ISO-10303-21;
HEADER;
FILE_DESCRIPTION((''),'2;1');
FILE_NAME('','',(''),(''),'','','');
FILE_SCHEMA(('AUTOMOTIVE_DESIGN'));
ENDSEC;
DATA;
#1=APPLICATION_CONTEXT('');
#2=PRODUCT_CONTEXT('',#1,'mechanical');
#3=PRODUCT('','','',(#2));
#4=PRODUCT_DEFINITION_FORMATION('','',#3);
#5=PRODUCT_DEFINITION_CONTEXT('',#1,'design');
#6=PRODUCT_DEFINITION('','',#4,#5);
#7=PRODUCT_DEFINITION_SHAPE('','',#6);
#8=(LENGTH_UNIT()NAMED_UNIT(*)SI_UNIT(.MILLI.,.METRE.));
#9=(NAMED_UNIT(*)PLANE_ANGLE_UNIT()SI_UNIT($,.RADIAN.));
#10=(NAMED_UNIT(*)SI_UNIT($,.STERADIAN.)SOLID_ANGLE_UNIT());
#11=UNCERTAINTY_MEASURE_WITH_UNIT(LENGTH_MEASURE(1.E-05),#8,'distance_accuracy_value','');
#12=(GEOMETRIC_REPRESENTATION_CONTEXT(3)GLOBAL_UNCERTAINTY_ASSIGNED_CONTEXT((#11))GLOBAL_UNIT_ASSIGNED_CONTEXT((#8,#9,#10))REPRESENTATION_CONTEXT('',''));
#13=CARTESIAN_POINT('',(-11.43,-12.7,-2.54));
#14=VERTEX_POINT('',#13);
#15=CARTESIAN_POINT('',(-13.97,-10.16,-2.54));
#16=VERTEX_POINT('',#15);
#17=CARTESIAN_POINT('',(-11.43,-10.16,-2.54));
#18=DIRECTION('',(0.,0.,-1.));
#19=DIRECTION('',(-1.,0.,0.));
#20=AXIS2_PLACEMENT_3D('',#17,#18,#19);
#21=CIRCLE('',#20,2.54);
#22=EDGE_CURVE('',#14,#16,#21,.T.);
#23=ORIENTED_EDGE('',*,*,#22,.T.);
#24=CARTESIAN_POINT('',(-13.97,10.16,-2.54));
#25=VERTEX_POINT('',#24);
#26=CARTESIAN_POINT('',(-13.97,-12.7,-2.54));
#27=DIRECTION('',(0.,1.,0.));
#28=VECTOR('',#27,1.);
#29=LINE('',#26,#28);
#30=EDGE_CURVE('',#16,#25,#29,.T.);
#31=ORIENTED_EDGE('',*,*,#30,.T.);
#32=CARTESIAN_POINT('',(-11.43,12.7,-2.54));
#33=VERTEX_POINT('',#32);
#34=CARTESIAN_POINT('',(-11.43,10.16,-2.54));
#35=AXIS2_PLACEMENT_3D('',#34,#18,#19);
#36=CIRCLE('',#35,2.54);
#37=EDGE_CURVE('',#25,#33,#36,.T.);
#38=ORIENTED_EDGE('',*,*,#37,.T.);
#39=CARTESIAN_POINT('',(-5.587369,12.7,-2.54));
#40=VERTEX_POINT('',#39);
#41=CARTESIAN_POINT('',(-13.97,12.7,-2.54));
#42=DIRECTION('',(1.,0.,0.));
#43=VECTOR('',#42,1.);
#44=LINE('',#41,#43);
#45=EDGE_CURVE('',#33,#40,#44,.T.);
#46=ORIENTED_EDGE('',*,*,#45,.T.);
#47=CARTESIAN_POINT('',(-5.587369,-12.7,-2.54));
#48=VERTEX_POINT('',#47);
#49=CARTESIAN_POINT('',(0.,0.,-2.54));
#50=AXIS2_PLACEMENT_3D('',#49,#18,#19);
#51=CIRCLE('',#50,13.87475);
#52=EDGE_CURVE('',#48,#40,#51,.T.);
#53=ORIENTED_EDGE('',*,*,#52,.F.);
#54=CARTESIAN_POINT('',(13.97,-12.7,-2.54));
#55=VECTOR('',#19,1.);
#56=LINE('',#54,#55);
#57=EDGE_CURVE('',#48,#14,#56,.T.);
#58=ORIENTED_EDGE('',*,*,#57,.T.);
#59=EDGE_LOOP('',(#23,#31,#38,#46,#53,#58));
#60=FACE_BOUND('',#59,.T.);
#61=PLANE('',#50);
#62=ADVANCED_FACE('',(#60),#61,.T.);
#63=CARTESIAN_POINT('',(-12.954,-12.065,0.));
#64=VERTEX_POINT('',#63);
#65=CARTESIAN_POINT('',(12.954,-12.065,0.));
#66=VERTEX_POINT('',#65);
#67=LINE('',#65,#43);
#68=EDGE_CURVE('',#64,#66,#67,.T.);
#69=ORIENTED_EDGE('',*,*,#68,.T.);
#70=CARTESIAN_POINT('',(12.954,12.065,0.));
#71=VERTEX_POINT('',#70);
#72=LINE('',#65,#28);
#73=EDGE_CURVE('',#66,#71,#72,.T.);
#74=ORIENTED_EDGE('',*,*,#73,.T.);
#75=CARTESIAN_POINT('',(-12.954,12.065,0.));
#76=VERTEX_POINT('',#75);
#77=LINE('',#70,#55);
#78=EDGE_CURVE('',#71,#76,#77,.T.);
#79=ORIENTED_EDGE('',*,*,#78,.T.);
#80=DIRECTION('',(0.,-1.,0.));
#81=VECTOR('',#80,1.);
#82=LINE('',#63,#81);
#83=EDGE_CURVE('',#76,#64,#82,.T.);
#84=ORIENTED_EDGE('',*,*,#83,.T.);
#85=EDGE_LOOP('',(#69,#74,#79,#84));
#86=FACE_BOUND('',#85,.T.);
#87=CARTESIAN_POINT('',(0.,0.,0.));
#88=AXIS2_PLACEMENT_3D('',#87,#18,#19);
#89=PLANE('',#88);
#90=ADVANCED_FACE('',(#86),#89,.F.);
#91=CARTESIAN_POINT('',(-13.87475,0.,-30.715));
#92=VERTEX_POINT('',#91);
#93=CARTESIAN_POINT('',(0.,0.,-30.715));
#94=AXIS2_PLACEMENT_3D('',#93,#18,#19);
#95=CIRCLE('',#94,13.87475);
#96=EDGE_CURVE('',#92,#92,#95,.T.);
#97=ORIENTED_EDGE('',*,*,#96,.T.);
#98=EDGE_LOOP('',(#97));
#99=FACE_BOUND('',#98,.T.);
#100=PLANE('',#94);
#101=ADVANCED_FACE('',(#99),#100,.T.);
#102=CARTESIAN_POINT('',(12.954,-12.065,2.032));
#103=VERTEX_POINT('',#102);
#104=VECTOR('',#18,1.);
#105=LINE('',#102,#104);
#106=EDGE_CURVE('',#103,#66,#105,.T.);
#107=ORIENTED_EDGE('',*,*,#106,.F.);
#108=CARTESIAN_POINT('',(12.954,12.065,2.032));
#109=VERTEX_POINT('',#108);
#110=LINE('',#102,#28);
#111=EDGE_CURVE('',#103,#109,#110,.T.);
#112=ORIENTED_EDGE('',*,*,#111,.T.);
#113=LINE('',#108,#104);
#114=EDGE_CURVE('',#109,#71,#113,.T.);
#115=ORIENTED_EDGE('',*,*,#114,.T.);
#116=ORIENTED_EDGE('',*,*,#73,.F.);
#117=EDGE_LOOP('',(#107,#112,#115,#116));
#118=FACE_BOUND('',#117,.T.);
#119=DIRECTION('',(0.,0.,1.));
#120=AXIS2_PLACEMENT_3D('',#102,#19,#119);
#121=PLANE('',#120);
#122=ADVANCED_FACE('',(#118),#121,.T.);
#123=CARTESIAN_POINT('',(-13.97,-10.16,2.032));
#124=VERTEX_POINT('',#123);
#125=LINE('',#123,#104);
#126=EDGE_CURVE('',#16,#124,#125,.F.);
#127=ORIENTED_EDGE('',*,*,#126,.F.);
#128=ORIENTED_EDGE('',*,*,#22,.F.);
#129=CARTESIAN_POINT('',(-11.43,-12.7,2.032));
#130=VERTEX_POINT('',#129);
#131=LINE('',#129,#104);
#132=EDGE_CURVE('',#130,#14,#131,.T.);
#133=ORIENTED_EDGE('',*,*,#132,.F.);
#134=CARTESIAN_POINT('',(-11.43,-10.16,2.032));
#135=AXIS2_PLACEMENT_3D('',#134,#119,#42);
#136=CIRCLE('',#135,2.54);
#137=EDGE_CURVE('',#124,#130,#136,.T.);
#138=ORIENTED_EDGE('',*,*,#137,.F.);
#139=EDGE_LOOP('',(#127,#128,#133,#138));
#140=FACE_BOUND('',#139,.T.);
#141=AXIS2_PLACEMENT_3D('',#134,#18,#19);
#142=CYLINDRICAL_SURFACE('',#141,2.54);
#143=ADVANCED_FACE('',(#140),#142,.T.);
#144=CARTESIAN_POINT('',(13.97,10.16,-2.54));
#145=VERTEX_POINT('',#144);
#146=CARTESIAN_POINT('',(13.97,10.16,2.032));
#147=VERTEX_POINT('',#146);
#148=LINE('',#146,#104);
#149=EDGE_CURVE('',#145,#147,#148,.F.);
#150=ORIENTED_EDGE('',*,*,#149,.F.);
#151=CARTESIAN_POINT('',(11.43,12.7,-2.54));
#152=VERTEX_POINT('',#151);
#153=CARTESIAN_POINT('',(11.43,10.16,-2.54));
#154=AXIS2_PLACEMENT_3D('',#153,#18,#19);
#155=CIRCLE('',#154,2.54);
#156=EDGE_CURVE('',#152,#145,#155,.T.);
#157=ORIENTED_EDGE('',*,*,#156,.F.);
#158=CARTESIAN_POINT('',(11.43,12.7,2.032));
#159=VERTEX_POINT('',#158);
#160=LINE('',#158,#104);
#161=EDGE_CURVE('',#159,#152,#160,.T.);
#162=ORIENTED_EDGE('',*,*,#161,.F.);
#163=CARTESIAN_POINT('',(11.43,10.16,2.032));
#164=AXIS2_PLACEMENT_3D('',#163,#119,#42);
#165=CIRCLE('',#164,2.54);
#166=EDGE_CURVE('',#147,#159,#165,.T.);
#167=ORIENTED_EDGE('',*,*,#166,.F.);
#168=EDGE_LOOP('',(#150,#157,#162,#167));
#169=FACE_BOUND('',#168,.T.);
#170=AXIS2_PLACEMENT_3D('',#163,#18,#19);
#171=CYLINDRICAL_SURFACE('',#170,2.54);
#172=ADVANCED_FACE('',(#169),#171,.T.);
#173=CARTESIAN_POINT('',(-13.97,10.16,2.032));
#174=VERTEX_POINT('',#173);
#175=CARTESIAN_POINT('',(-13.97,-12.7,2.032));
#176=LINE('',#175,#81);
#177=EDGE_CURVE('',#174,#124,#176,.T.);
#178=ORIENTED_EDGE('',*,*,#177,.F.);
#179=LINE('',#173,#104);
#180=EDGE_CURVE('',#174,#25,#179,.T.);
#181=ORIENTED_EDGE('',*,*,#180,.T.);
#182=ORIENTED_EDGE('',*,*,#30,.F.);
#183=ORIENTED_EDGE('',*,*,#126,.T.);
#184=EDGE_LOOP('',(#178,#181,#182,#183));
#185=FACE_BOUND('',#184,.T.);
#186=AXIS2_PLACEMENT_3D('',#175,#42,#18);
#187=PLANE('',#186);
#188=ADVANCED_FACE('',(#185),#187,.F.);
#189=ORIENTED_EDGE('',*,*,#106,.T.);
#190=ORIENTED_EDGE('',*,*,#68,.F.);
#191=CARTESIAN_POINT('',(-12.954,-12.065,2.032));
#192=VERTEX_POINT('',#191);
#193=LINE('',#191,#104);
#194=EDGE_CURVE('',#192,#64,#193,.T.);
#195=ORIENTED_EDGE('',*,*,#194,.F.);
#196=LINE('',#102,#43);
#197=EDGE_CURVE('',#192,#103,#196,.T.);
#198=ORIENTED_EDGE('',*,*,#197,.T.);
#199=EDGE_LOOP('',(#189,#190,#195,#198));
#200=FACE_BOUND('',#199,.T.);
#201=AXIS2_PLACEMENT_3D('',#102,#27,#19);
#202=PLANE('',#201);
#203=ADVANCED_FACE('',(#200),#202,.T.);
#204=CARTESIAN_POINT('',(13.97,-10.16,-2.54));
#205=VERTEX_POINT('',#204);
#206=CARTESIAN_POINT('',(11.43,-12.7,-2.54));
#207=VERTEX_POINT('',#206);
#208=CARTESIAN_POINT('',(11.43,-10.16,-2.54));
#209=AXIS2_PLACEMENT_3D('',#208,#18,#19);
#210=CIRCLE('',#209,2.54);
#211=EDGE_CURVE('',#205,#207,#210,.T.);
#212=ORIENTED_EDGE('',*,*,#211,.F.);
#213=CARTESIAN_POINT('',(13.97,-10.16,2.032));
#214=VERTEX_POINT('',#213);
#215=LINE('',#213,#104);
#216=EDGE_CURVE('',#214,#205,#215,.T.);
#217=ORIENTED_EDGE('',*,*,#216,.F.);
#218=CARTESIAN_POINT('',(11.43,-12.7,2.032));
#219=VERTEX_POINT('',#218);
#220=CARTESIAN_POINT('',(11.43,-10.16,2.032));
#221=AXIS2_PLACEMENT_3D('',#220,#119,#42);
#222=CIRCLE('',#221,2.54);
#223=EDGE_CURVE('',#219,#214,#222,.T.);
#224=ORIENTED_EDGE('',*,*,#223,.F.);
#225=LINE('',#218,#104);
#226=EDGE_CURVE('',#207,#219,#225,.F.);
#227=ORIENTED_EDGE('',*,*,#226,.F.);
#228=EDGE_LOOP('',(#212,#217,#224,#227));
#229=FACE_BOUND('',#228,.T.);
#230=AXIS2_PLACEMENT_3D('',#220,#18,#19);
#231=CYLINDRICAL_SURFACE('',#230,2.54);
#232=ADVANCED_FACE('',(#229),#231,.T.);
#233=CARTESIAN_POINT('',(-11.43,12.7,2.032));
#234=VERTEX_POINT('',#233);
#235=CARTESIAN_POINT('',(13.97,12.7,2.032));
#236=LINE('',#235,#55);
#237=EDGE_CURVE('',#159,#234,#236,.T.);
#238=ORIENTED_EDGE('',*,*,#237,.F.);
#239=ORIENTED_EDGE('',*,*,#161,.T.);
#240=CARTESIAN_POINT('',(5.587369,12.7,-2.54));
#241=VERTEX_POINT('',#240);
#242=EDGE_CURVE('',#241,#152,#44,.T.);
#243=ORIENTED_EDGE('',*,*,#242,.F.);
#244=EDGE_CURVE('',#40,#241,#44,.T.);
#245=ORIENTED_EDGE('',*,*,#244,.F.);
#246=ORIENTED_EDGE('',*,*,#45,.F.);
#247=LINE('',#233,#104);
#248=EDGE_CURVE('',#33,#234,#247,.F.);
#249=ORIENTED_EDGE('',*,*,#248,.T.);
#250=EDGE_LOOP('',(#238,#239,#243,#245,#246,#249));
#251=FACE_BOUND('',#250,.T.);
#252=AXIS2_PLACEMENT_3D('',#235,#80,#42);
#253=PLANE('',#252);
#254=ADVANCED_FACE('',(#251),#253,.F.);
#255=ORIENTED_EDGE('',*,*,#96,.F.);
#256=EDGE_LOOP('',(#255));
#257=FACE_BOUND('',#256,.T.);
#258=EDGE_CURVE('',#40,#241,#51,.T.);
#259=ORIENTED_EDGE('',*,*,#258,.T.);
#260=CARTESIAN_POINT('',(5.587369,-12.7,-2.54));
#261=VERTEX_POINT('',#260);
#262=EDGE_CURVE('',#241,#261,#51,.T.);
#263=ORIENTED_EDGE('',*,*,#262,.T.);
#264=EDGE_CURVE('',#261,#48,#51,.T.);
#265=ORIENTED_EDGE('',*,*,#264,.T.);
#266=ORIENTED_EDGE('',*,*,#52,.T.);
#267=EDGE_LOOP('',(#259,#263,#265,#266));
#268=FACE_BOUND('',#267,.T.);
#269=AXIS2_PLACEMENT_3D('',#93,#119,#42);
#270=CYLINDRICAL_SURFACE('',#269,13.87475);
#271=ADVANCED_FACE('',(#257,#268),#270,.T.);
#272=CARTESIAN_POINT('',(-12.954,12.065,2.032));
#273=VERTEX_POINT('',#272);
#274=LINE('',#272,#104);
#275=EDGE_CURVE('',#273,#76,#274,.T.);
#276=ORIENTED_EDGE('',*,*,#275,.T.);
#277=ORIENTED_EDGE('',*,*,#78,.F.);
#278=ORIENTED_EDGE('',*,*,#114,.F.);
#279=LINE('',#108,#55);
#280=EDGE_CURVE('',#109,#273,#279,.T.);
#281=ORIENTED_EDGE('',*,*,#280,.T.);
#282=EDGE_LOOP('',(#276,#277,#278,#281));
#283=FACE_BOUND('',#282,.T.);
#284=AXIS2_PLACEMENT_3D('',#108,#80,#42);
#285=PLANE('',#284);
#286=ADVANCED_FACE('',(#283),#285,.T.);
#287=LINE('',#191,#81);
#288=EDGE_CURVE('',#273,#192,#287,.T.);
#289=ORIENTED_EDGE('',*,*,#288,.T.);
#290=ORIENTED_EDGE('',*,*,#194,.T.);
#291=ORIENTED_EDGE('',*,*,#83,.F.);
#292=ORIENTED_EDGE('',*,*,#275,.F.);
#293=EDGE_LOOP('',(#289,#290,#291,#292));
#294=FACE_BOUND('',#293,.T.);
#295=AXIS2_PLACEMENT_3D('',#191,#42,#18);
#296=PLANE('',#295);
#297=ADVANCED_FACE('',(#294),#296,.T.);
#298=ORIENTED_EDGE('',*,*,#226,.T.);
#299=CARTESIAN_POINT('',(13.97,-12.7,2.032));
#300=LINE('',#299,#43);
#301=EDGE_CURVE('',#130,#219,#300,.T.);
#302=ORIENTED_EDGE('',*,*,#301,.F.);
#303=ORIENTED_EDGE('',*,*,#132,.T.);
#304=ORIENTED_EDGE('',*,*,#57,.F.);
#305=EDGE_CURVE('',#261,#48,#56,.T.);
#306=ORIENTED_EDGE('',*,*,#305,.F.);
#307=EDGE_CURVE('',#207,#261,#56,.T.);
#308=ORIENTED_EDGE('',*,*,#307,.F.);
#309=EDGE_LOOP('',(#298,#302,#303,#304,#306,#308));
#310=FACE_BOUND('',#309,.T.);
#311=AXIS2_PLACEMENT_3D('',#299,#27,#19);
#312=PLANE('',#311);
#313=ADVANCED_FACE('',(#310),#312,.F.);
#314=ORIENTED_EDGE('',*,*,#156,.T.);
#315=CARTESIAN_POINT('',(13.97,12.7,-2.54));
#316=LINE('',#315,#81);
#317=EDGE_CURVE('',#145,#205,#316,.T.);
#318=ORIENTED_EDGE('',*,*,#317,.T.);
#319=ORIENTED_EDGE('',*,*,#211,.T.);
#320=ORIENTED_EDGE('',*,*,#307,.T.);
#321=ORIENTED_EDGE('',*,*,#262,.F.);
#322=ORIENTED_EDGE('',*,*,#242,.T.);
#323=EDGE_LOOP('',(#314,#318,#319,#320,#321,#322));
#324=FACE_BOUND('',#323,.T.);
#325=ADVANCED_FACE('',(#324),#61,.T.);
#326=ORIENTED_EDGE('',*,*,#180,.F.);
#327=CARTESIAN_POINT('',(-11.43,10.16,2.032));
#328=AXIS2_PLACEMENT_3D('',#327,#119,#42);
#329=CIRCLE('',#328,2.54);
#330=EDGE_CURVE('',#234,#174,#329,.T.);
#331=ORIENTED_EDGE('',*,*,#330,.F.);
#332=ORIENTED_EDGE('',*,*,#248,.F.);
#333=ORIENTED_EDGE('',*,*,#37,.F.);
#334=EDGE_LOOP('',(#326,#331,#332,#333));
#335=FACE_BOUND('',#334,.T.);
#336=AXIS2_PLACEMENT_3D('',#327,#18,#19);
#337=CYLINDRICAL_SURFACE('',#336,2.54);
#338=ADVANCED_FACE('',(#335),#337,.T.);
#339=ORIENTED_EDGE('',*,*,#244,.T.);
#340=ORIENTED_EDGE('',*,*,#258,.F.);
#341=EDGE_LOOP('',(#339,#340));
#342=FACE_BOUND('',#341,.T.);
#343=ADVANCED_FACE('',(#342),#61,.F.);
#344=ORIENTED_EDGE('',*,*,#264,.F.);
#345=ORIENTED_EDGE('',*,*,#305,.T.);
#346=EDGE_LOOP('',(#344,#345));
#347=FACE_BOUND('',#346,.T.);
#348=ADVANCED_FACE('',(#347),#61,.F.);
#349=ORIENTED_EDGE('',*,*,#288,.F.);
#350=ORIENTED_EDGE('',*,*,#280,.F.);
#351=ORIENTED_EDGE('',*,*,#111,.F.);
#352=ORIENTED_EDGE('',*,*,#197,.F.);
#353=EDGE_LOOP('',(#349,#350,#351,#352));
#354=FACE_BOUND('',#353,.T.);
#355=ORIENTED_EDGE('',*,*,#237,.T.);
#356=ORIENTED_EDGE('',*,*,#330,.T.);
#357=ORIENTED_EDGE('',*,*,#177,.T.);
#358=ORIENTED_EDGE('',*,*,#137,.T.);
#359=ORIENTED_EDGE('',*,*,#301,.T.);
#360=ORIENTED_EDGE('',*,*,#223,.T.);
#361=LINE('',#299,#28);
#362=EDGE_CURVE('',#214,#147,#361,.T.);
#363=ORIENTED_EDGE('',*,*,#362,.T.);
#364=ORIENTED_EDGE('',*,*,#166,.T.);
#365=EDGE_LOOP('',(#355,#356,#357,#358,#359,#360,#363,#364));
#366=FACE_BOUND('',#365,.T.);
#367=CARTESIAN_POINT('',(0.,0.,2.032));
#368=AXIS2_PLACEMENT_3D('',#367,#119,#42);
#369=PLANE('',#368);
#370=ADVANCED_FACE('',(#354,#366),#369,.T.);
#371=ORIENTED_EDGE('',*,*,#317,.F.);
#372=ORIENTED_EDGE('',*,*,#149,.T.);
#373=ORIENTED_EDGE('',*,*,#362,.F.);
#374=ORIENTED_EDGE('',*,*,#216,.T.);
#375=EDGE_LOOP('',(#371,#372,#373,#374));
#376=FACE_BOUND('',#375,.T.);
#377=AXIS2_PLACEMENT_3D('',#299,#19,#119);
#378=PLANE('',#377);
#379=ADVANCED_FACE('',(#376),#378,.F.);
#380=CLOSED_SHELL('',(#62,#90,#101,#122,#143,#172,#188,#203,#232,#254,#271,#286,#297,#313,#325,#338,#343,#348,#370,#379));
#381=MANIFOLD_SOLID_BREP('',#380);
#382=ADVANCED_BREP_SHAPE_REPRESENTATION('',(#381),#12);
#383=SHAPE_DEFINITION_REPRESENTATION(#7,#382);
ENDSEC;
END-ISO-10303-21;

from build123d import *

# Parameters (mm, degrees)
SKETCH2_W           = 27.94
SKETCH2_H           = 25.4
SKETCH2_W_2         = 25.908
SKETCH2_H_2         = 24.13
BOSS_EXTRUDE1_DEPTH = 2.032
SKETCH3_W           = 27.94
SKETCH3_H           = 25.4
BOSS_EXTRUDE2_DEPTH = 2.54
SKETCH4_R           = 13.87475
BOSS_EXTRUDE3_DEPTH = 28.175
FILLET1_R           = 2.54


with BuildPart() as part:
    # Sketch2 → Boss-Extrude1 (new body)
    with BuildSketch(Plane.XY):
        Rectangle(SKETCH2_W, SKETCH2_H)
        Rectangle(SKETCH2_W_2, SKETCH2_H_2, mode=Mode.SUBTRACT)
    extrude(amount=BOSS_EXTRUDE1_DEPTH)

    # Sketch3 → Boss-Extrude2 (add)
    with BuildSketch(Plane(origin=(0, 0, 0), x_dir=(-1, 0, 0), z_dir=(0, 0, -1))):
        Rectangle(SKETCH3_W, SKETCH3_H)
    extrude(amount=BOSS_EXTRUDE2_DEPTH)

    # Sketch4 → Boss-Extrude3 (add)
    with BuildSketch(Plane(origin=(0, 0, -2.54), x_dir=(-1, 0, 0), z_dir=(0, 0, -1))):
        with Locations(Location((0, 0, 0), (0, 0, 246.252892173))):
            Circle(SKETCH4_R)
    extrude(amount=BOSS_EXTRUDE3_DEPTH)

    # Fillet1
    fillet1_edges = [part.edges().sort_by_distance(p)[0] for p in [
        (-13.97, 12.7, -0.254),
        (13.97, 12.7, -0.254),
        (13.97, -12.7, -0.254),
        (-13.97, -12.7, -0.254),
    ]]
    fillet(fillet1_edges, radius=FILLET1_R)


solid = part.part
